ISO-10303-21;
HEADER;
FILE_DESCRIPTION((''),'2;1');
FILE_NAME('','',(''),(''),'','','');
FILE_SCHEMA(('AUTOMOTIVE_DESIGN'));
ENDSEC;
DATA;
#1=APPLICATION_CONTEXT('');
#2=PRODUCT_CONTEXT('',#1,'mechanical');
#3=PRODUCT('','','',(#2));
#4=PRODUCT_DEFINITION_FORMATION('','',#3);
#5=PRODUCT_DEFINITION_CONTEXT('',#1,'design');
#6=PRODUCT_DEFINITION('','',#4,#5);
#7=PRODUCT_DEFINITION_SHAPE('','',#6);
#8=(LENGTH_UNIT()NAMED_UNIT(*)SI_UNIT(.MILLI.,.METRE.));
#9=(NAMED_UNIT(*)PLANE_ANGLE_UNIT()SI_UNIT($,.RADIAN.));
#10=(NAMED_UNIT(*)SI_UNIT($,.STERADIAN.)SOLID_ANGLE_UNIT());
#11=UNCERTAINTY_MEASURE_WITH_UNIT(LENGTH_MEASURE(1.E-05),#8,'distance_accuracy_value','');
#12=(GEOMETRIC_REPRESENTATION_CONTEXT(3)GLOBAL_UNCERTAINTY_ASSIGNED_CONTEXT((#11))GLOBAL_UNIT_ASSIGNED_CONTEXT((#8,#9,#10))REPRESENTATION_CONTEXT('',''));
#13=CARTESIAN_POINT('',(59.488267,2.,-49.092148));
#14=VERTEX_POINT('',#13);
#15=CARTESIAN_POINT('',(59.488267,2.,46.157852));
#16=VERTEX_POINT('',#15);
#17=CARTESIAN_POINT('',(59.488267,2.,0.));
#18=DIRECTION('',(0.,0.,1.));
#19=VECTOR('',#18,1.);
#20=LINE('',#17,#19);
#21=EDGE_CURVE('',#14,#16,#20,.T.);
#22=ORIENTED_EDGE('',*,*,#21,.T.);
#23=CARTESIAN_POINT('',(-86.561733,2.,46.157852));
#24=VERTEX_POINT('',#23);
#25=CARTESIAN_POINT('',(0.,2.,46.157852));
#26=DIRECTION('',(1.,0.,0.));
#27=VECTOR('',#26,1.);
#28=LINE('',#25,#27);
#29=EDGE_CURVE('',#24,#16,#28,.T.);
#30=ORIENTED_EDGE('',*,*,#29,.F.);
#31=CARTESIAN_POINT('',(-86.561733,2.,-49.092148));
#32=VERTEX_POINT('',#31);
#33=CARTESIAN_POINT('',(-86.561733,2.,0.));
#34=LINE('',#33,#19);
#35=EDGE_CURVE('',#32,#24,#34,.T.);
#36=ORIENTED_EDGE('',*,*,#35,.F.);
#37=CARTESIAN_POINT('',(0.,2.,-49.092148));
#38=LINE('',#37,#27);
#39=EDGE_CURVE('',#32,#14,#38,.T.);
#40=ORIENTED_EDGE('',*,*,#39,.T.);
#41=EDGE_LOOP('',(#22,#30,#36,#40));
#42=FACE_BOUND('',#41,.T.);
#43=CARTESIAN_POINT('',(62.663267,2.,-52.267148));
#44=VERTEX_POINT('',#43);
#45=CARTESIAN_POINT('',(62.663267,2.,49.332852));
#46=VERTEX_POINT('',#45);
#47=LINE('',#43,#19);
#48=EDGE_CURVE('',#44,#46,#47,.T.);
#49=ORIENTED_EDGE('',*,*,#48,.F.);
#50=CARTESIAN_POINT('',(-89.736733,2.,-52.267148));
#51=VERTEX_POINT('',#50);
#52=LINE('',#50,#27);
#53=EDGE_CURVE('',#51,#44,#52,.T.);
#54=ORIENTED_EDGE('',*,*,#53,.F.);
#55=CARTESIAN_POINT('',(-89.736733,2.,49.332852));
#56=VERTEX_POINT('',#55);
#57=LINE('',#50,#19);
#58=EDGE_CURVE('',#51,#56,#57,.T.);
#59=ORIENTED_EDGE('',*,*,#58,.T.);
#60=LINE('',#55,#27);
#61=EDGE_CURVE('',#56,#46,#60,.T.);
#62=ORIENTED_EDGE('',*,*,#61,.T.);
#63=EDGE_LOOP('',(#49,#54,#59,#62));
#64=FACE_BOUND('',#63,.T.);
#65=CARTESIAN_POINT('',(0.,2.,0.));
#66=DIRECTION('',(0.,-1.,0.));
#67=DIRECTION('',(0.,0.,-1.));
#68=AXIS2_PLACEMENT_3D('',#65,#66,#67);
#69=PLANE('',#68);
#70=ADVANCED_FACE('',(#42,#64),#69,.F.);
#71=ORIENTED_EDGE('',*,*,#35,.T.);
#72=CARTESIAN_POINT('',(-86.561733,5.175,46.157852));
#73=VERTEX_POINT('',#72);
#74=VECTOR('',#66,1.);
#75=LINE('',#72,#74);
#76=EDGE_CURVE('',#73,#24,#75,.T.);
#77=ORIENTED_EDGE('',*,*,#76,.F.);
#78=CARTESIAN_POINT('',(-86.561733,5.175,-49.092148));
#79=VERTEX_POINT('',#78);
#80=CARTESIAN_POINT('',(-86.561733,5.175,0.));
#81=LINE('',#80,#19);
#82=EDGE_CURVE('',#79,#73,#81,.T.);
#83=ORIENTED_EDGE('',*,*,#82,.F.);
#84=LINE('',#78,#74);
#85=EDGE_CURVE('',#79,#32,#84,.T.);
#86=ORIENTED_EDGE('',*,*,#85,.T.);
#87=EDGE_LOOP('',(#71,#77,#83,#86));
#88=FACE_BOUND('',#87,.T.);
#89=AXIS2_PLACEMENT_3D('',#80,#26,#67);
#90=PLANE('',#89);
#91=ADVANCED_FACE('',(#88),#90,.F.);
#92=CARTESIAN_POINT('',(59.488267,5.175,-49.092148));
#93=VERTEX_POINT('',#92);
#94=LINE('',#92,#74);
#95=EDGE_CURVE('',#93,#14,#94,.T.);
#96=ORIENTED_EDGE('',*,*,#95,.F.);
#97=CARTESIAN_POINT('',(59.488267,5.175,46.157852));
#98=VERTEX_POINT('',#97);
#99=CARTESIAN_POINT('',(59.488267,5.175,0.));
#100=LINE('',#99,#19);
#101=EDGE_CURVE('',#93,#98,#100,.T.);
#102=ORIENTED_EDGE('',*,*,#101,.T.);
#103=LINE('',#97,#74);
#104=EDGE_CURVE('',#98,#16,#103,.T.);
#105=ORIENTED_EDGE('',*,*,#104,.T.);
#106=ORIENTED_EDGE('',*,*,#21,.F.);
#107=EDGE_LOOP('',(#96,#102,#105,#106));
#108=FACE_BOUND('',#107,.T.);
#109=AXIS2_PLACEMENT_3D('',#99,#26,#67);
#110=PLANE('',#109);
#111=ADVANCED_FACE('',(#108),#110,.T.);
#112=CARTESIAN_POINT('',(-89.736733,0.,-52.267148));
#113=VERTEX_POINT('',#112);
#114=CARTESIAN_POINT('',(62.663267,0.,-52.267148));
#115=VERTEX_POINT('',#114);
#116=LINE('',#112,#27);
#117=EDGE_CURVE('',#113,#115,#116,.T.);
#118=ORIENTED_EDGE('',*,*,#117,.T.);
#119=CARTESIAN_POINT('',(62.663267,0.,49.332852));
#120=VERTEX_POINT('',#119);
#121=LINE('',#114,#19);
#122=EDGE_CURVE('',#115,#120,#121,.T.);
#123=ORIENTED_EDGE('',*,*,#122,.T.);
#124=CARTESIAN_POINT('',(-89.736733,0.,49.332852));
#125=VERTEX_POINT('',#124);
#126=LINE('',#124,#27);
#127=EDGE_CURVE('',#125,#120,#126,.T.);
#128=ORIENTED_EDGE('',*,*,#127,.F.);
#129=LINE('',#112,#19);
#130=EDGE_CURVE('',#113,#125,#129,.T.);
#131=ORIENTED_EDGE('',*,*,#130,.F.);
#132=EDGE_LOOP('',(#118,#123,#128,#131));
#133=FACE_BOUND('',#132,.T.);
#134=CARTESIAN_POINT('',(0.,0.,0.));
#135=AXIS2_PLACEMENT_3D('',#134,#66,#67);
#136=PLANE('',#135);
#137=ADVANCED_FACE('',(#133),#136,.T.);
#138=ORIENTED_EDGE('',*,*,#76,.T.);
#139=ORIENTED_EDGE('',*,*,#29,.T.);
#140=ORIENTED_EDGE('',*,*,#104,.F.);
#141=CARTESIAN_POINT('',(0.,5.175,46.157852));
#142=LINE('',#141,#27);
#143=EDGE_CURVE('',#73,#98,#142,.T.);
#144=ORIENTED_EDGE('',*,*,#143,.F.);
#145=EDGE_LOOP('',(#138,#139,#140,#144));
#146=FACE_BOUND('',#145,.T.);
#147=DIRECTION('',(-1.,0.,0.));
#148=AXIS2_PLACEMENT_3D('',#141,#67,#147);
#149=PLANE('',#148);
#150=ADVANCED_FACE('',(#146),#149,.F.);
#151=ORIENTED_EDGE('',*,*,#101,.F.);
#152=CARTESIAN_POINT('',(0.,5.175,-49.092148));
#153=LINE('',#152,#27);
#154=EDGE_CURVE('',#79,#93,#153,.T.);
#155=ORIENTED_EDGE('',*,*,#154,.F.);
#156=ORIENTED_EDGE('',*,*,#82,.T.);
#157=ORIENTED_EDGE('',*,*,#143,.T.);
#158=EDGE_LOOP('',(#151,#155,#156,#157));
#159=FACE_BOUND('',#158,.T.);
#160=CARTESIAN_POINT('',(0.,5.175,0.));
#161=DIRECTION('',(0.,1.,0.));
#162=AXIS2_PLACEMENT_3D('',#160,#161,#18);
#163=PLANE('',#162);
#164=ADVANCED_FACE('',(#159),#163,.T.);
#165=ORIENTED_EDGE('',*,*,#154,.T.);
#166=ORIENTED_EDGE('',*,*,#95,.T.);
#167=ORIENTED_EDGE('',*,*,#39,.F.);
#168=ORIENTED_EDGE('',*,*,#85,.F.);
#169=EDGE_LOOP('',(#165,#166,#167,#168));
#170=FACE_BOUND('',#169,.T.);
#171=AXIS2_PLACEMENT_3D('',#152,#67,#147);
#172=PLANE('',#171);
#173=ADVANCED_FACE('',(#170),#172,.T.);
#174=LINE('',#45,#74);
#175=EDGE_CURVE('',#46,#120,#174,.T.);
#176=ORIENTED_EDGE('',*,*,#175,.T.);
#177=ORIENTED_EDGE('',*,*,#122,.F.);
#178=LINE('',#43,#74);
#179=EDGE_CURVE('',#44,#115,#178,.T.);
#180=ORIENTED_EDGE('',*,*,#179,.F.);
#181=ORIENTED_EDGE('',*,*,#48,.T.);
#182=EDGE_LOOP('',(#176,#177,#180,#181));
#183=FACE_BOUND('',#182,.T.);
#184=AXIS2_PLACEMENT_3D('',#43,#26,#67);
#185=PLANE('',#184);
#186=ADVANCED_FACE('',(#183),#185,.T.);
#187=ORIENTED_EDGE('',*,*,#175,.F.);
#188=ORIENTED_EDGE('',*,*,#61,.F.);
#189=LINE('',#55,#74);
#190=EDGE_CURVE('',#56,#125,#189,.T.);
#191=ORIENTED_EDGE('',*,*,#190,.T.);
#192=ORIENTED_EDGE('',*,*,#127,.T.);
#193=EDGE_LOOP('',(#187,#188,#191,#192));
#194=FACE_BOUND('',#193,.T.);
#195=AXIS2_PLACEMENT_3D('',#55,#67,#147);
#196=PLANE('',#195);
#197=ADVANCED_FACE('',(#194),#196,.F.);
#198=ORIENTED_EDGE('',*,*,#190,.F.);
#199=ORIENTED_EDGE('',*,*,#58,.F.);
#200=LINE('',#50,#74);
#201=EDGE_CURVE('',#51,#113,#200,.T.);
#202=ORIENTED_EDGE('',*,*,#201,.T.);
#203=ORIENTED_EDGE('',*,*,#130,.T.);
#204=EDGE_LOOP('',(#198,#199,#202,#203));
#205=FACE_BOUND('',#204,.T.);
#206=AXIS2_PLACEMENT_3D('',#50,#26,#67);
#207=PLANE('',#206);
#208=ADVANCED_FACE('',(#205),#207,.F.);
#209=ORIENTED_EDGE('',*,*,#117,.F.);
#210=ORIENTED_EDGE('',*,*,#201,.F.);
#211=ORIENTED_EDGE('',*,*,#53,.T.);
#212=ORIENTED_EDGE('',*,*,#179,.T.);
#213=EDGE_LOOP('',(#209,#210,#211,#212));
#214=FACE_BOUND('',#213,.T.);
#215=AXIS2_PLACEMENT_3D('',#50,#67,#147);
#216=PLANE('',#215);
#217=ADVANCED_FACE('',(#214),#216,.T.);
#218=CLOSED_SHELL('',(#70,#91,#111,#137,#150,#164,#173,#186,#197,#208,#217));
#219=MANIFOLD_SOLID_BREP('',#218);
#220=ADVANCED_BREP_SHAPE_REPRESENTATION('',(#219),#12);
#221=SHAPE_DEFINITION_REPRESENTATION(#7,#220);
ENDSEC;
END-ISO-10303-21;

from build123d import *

# Parameters (mm, degrees)
SKETCH1_W           = 152.4
SKETCH1_H           = 101.6
BOSS_EXTRUDE1_DEPTH = 2
SKETCH1_3_W         = 146.05
SKETCH1_3_H         = 95.25
BOSS_EXTRUDE2_DEPTH = 5.175


with BuildPart() as part:
    # Sketch1 → Boss-Extrude1 (new body)
    with BuildSketch(Plane(origin=(0, 0, 0), x_dir=(1, 0, 0), z_dir=(0, 1, 0))):
        with Locations((-13.536732852, 1.467148014)):
            Rectangle(SKETCH1_W, SKETCH1_H)
    extrude(amount=BOSS_EXTRUDE1_DEPTH)

    # Sketch1<3> → Boss-Extrude2 (add)
    with BuildSketch(Plane(origin=(0, 0, 0), x_dir=(1, 0, 0), z_dir=(0, 1, 0))):
        with Locations((-13.536732852, 1.467148014)):
            Rectangle(SKETCH1_3_W, SKETCH1_3_H)
    extrude(amount=BOSS_EXTRUDE2_DEPTH)


solid = part.part
